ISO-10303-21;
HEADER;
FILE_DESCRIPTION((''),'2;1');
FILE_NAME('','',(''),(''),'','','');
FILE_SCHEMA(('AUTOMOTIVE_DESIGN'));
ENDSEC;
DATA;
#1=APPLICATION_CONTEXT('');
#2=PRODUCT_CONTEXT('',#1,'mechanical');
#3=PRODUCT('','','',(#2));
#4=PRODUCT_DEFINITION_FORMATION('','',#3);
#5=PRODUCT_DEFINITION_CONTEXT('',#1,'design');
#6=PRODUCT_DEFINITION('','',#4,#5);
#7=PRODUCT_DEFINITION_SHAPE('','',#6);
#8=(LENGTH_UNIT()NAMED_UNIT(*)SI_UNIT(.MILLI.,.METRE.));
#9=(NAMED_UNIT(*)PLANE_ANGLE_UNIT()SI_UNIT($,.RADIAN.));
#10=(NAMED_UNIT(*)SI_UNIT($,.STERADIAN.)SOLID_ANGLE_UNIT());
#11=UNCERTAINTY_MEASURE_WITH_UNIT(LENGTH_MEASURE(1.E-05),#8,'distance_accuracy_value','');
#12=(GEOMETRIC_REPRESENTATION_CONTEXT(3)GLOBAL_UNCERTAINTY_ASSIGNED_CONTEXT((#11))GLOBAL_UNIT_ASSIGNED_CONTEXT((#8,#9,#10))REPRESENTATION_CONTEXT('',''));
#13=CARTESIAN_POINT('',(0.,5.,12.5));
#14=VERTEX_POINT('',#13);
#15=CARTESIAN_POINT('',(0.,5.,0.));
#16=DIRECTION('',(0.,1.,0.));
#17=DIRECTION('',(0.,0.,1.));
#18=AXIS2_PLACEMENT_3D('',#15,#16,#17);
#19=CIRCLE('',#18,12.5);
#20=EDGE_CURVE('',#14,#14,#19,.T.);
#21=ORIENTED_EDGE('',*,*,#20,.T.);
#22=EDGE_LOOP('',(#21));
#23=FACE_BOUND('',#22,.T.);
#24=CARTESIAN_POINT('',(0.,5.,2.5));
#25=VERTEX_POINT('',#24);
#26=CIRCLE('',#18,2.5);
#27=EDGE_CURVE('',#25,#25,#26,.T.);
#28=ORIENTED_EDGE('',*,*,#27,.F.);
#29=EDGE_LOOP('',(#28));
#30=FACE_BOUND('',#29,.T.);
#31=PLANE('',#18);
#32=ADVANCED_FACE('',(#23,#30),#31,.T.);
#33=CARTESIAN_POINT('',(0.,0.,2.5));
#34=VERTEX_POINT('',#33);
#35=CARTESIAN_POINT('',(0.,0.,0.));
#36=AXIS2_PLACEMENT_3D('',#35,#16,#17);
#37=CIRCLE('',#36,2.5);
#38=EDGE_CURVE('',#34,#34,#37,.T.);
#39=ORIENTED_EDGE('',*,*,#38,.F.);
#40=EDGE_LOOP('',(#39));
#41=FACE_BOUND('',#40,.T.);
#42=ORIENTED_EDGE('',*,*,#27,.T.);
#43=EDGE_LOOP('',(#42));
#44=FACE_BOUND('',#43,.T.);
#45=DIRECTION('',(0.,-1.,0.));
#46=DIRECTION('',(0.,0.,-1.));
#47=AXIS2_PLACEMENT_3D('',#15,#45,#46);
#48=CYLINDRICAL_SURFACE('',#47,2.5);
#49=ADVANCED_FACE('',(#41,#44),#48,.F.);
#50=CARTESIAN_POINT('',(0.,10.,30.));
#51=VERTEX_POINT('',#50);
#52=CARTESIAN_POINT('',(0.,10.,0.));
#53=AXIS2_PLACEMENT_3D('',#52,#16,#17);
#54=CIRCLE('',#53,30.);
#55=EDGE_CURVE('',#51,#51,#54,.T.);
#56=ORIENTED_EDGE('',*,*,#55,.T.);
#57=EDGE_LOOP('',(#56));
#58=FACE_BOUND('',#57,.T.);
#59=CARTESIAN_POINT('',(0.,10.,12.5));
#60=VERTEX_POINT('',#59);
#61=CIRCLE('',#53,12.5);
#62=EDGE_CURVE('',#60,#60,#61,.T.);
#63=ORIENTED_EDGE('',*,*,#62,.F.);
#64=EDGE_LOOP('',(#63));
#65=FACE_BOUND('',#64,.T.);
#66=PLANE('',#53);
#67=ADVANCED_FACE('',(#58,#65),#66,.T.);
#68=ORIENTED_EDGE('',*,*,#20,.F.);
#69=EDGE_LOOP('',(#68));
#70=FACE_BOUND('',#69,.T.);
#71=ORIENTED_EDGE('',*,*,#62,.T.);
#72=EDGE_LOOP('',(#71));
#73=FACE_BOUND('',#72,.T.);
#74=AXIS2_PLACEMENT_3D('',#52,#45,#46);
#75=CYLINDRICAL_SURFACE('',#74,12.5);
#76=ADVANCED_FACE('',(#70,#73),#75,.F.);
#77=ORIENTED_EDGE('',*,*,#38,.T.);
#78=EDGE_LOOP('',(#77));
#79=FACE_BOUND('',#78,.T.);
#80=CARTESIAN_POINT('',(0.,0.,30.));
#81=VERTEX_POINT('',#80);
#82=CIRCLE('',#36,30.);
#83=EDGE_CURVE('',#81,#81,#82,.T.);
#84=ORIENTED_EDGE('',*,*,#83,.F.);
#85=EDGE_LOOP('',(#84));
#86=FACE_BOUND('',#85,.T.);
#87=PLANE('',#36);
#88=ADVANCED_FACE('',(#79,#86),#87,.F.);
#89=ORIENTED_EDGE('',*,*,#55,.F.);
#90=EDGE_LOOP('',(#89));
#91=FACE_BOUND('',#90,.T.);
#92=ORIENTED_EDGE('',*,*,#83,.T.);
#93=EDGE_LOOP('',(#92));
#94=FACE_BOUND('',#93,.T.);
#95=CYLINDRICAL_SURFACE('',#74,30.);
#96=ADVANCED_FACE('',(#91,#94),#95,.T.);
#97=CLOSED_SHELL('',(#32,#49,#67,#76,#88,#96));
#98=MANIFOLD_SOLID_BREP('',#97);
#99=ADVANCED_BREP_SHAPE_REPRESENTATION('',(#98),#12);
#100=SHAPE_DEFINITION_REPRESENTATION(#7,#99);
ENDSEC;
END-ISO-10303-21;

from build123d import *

# Parameters (mm, degrees)
SKETCH1_R           = 30
SKETCH1_R_2         = 12.5
BOSS_EXTRUDE1_DEPTH = 10
SKETCH1_3_R         = 12.5
SKETCH1_3_R_2       = 2.5
BOSS_EXTRUDE2_DEPTH = 5


with BuildPart() as part:
    # Sketch1 → Boss-Extrude1 (new body)
    with BuildSketch(Plane(origin=(0, 0, 0), x_dir=(1, 0, 0), z_dir=(0, 1, 0))):
        Circle(SKETCH1_R)
        Circle(SKETCH1_R_2, mode=Mode.SUBTRACT)
    extrude(amount=BOSS_EXTRUDE1_DEPTH)

    # Sketch1<3> → Boss-Extrude2 (add)
    with BuildSketch(Plane(origin=(0, 0, 0), x_dir=(1, 0, 0), z_dir=(0, 1, 0))):
        Circle(SKETCH1_3_R)
        Circle(SKETCH1_3_R_2, mode=Mode.SUBTRACT)
    extrude(amount=BOSS_EXTRUDE2_DEPTH)


solid = part.part
